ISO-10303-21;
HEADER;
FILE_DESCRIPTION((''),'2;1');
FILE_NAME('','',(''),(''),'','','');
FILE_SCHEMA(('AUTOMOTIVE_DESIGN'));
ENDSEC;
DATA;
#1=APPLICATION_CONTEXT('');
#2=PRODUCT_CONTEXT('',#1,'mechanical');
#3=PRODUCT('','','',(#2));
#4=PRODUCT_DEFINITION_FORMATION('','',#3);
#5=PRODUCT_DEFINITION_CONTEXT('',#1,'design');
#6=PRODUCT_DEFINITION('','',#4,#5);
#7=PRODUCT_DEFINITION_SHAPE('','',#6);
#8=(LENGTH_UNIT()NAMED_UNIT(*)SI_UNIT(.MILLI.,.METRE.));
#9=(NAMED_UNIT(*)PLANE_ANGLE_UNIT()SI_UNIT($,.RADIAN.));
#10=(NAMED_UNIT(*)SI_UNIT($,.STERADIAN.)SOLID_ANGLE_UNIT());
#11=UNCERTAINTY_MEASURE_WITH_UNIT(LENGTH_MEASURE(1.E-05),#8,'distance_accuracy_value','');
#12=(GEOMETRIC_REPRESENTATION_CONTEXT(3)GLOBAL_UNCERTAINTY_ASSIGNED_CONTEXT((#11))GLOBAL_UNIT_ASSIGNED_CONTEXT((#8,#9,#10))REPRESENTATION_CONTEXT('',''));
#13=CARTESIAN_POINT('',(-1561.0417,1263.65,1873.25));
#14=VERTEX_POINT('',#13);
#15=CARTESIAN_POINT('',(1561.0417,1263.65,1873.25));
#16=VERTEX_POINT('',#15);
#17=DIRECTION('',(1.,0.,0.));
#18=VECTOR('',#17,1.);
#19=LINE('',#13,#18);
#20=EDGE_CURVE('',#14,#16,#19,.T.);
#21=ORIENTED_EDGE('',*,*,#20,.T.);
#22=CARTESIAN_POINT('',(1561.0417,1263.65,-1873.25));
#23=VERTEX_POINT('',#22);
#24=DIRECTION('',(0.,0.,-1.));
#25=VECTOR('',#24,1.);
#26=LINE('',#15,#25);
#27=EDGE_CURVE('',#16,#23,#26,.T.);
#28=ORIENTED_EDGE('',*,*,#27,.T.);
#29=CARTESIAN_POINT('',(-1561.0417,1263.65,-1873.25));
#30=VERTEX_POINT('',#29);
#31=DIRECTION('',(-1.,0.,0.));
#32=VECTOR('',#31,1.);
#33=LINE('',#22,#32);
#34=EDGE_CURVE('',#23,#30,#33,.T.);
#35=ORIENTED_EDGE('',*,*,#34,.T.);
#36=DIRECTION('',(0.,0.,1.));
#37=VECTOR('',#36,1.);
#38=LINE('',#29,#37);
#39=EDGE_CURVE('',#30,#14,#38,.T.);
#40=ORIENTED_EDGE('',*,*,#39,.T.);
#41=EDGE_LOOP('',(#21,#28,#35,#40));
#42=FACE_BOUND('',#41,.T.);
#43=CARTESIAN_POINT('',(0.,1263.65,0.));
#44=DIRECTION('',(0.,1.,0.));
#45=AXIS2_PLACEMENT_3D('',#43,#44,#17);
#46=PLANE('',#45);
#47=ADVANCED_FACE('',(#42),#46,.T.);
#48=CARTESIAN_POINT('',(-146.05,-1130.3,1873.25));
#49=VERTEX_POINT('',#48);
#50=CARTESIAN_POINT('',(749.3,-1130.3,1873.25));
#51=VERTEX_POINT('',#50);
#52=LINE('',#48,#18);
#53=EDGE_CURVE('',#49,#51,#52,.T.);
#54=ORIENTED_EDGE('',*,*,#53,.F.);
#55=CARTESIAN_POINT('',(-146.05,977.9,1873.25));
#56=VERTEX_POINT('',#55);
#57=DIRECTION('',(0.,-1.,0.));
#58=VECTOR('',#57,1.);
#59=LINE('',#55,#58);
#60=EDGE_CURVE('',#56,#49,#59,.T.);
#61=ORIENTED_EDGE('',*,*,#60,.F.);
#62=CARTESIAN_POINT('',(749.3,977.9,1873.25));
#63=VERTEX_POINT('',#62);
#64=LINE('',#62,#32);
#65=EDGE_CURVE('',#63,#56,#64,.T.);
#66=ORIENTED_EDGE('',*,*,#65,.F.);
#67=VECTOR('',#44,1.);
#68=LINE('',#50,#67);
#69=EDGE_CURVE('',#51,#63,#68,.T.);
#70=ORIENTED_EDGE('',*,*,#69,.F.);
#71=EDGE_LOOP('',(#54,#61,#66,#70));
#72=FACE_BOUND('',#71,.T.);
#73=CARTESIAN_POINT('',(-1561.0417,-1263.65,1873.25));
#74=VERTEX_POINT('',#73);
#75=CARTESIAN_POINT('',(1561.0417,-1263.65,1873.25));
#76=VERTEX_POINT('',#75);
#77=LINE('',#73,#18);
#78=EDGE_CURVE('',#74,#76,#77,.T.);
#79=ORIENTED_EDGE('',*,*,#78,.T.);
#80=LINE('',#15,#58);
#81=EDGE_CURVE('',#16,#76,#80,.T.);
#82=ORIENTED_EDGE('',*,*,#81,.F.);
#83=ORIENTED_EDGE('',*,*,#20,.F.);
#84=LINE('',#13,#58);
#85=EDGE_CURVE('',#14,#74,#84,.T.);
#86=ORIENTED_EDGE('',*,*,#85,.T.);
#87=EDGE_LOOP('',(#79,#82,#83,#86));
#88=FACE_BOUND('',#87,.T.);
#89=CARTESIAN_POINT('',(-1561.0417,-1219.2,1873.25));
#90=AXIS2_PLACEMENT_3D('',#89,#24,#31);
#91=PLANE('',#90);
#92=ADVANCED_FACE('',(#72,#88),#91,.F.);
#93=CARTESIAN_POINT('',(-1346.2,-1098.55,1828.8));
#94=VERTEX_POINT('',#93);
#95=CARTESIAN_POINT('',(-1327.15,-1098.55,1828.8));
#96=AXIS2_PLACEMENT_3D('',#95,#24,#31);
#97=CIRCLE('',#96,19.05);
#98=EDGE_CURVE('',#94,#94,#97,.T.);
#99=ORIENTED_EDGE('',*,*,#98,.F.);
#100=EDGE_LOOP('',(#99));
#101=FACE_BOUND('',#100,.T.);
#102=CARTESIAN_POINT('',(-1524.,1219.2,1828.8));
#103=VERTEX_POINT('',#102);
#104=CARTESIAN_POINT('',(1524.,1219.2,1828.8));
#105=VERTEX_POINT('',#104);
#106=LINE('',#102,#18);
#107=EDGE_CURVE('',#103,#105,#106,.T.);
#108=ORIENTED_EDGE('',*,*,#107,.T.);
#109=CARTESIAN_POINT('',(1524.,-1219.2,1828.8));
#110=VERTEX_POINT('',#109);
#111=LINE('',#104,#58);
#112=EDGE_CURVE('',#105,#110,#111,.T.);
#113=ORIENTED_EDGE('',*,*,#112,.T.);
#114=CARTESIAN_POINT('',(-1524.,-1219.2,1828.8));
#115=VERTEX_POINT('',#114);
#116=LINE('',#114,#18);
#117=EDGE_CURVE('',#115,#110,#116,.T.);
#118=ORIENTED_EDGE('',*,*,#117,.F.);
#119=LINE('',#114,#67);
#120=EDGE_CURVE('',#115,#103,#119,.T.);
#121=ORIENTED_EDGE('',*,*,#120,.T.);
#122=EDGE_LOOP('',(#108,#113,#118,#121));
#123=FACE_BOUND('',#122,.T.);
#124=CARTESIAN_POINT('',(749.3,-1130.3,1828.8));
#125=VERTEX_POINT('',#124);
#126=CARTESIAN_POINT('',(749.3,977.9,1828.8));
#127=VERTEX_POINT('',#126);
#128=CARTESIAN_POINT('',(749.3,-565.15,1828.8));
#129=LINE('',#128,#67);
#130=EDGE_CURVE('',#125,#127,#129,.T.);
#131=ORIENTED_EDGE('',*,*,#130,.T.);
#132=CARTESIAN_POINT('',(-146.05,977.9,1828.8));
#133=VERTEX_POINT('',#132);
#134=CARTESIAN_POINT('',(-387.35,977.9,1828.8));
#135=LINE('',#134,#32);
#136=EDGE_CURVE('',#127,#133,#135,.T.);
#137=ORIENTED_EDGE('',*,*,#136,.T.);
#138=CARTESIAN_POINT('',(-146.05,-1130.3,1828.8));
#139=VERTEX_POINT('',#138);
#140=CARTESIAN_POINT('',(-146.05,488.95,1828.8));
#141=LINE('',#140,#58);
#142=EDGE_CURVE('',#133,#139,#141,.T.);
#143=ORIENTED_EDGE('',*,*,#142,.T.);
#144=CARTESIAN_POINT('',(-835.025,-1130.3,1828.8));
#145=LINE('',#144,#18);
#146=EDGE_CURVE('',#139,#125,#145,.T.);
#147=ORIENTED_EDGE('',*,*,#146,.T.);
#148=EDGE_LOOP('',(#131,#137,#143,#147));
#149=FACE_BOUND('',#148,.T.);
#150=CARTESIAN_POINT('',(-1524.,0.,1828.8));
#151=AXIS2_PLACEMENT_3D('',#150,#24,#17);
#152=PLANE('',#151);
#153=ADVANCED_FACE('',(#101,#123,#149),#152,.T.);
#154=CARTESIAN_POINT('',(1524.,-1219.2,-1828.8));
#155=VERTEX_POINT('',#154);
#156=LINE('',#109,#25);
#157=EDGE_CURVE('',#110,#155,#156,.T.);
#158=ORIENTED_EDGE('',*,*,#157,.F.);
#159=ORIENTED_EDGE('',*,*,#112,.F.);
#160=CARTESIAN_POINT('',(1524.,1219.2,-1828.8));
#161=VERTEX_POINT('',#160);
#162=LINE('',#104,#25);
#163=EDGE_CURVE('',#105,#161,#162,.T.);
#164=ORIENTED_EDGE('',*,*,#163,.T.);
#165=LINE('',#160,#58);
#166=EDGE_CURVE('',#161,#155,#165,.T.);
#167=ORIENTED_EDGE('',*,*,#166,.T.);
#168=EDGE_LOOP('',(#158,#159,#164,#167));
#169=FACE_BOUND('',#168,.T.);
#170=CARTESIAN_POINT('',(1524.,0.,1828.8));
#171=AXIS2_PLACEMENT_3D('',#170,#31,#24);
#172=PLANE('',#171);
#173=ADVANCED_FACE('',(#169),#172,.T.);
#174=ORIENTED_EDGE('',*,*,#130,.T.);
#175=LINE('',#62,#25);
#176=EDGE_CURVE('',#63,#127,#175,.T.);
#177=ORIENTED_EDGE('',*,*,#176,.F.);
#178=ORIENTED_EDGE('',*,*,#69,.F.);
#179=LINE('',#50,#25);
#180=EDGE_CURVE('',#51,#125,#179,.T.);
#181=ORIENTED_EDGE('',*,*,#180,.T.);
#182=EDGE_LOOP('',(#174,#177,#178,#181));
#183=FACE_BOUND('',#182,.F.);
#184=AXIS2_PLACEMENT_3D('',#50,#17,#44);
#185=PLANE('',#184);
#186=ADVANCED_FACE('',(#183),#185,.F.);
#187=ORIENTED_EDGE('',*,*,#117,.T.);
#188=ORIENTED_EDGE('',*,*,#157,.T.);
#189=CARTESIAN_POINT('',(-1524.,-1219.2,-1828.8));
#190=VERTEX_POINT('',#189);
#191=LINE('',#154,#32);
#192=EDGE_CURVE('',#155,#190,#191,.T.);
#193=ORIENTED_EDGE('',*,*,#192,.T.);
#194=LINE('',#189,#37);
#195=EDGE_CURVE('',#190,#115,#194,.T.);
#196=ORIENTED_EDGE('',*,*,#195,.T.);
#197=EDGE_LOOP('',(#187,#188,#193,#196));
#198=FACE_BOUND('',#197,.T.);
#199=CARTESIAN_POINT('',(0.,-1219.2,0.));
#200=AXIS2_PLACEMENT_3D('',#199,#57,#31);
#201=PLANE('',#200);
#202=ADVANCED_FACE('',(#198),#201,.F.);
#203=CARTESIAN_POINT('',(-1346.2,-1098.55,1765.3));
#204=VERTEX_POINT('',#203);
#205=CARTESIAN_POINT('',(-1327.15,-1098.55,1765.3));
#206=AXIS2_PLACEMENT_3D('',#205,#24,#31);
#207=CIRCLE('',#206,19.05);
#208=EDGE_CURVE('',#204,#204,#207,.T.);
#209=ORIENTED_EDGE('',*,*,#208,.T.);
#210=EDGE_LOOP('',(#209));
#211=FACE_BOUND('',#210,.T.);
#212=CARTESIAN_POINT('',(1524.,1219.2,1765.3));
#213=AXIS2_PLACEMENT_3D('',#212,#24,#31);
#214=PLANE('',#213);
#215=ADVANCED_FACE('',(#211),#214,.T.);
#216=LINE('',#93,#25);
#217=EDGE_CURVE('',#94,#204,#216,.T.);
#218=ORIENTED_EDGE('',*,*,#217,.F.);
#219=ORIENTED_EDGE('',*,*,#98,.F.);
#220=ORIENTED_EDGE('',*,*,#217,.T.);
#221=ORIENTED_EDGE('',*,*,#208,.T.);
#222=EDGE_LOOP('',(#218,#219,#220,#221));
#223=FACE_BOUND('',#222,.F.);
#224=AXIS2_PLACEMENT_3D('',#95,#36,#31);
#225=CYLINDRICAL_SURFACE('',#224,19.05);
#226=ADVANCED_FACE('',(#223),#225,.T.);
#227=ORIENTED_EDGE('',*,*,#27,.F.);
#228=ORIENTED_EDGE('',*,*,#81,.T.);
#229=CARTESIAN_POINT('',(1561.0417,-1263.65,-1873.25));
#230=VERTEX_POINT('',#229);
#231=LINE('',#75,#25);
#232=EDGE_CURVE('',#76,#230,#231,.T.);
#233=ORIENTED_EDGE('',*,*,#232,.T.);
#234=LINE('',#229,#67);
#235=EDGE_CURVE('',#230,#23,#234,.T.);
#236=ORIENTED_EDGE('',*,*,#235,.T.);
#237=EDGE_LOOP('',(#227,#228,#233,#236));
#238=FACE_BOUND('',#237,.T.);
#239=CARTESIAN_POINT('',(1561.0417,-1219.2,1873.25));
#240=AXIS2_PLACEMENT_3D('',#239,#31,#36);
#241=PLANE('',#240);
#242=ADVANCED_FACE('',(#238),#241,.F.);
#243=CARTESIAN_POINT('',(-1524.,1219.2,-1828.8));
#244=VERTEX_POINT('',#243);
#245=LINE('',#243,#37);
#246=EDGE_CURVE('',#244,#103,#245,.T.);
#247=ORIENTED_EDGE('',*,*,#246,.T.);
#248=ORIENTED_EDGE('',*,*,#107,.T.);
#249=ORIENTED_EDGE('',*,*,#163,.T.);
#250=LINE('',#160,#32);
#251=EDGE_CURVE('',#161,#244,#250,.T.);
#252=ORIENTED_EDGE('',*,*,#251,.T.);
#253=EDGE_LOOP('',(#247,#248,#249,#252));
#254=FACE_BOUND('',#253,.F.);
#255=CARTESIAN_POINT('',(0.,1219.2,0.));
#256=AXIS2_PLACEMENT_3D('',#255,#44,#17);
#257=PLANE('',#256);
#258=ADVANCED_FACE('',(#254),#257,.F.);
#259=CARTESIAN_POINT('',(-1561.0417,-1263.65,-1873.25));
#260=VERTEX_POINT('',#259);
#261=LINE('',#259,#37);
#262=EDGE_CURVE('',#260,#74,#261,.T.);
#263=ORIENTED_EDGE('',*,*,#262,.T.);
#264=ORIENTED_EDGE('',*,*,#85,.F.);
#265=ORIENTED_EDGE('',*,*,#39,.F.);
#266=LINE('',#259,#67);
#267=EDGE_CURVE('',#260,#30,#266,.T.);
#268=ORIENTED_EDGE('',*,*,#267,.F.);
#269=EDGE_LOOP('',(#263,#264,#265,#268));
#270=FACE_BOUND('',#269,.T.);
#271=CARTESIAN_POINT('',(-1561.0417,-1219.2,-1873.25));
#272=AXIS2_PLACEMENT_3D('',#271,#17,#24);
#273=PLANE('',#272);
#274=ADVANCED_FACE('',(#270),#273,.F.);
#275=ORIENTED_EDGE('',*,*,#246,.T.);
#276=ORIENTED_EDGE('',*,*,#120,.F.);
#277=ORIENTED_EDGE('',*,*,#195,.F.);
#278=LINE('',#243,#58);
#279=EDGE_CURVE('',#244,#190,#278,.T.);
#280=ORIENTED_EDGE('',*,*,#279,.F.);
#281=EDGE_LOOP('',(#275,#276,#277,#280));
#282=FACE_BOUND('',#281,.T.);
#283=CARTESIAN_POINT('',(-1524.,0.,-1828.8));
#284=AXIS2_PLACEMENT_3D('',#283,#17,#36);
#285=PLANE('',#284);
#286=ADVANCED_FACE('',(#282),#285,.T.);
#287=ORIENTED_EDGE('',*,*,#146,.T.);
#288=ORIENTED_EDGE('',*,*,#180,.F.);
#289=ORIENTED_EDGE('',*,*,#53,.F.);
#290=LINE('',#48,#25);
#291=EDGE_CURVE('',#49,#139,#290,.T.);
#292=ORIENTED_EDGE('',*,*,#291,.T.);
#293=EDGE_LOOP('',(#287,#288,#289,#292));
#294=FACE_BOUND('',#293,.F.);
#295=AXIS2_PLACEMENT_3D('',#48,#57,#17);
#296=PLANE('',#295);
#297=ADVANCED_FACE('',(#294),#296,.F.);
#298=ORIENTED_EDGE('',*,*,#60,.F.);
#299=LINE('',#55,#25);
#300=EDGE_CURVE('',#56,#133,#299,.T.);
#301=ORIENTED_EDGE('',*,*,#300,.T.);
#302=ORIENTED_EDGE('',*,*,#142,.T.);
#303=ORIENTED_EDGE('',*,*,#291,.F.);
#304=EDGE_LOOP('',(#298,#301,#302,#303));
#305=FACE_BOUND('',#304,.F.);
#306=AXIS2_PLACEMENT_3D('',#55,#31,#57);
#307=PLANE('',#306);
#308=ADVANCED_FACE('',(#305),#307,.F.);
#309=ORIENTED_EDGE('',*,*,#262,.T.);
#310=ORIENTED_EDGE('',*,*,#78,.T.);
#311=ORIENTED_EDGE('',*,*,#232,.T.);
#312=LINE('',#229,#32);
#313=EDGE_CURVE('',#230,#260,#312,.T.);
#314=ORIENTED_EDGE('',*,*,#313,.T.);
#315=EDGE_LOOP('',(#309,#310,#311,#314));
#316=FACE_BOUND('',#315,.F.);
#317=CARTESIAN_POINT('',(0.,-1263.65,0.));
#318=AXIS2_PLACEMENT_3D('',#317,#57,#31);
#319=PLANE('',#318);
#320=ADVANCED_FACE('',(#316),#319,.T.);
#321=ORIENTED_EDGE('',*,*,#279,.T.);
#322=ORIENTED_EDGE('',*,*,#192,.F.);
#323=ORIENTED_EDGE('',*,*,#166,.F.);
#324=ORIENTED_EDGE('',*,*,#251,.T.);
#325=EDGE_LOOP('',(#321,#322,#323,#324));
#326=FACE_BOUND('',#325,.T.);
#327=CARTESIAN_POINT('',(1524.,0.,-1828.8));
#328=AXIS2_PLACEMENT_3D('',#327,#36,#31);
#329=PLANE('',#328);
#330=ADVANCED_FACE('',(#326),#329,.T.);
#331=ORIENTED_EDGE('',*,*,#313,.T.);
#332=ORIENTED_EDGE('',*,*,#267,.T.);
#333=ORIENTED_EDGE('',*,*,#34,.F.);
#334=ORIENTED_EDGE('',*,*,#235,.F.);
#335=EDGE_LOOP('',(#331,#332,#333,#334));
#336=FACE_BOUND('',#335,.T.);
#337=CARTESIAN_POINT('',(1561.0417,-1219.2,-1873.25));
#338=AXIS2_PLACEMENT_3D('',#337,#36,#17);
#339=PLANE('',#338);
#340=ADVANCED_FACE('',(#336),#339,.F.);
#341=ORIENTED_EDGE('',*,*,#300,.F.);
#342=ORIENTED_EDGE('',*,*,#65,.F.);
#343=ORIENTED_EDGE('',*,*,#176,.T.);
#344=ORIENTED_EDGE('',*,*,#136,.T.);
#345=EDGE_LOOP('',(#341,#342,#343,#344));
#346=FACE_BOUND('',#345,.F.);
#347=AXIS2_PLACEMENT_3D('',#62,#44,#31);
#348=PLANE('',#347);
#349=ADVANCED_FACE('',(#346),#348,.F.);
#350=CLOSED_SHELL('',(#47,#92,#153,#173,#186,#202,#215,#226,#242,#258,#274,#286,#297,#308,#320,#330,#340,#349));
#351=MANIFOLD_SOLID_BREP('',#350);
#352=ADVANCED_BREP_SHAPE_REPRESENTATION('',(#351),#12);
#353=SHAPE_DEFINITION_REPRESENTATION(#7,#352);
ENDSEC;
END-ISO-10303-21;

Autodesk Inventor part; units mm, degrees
ref_plane "YZ Plane" through (0, 0, 0) normal (1, 0, 0) x (0, 1, 0)
ref_plane "XZ Plane" through (0, 0, 0) normal (0, 1, 0) x (-1, 0, 0)
ref_plane "XY Plane" through (0, 0, 0) normal (0, 0, 1) x (1, 0, 0)
sketch "Sketch1" plane through (0, 0, 0) normal (0, 1, 0) x (-1, 0, 0)
  line L0 (1524, 1828.8) -> (-1524, 1828.8)
  line L1 (-1524, 1828.8) -> (-1524, -1828.8)
  line L2 (-1524, -1828.8) -> (1524, -1828.8)
  line L3 (1524, -1828.8) -> (1524, 1828.8)
  line L4 (1524, 1828.8) -> (-1524, -1828.8) construction
  line L5 (-1524, 1828.8) -> (1524, -1828.8) construction
  line L6 (-1561.0417, 1873.25) -> (1561.0417, 1873.25)
  line L7 (1561.0417, 1873.25) -> (1561.0417, -1873.25)
  line L8 (1561.0417, -1873.25) -> (-1561.0417, -1873.25)
  line L9 (-1561.0417, -1873.25) -> (-1561.0417, 1873.25)
  line L10 (-1561.0417, 1873.25) -> (1561.0417, -1873.25) construction
  line L11 (1561.0417, 1873.25) -> (-1561.0417, -1873.25) construction
  point P0 (0, 0)
  dimension "d8" = 3048
  dimension "d9" = 3657.6
  dimension "d10" = 44.45
extrude "sides" add sketch "Sketch1" along normal mid plane 2438.4
sketch "Sketch2" plane through (0, 1219.2, 0) normal (0, 1, 0) x (1, 0, 0)
  line L0 (1561.0417, 1873.25) -> (-1561.0417, 1873.25) projected
  line L1 (-1561.0417, 1873.25) -> (-1561.0417, -1873.25) projected
  line L2 (1561.0417, -1873.25) -> (1561.0417, 1873.25) projected
  line L3 (-1561.0417, -1873.25) -> (1561.0417, -1873.25) projected
  point P0 (0, 0)
extrude "roof" add sketch "Sketch2" along normal blind 44.45
mirror "floor" about plane through (0, 0, 0) normal (0, 1, 0) of "roof"
sketch "Sketch3" plane through (-1561.0417, 1263.65, 1873.25) normal (0, 0, 1) x (1, 0, 0)
  line L0 (1414.9917, -2393.95) -> (2310.3417, -2393.95)
  line L1 (2310.3417, -2393.95) -> (2310.3417, -285.75)
  line L2 (2310.3417, -285.75) -> (1414.9917, -285.75)
  line L3 (1414.9917, -285.75) -> (1414.9917, -2393.95)
  line L4 (1414.9917, -2393.95) -> (2310.3417, -285.75) construction
  line L5 (2310.3417, -2393.95) -> (1414.9917, -285.75) construction
  line L6 (0, 0) -> (0, -2527.3) projected
  line L7 (0, -2527.3) -> (3122.0833, -2527.3) projected
  line L8 (3122.0833, -2527.3) -> (3122.0833, 0) projected
  line L9 (37.0417, -2482.85) -> (3085.0417, -2482.85) projected
  line L10 (3085.0417, -2482.85) -> (3085.0417, -44.45) projected
  line L11 (3122.0833, -2527.3) -> (3122.0833, 0) projected
  line L12 (0, 0) -> (3122.0833, 0) projected
  line L13 (0, 0) -> (0, -2527.3) projected
  line L14 (0, -2527.3) -> (3122.0833, -2527.3) projected
  point P0 (1561.0417, -1263.65)
  point P1 (1862.6667, -1339.85)
  dimension "d19" = 895.35
  dimension "d20" = 2108.2
  dimension "d22" = 88.9
  dimension "d23" = 774.7
extrude "door" cut sketch "Sketch3" against normal up to next contours L3 L2 L1 L0
sketch "Sketch6" plane through (1524, 1219.2, 1828.8) normal (0, 0, -1) x (-1, 0, 0)
  circle A0 centre (2851.15, -2317.75) radius 19.05
  line L0 (3048, -2438.4) -> (0, -2438.4) projected
  line L1 (3048, 0) -> (3048, -2438.4) projected
  point P0 (1524, -1219.2)
  dimension "d24" = 38.1
  dimension "d25" = 120.65
  dimension "d26" = 196.85
extrude "Extrusion6" add sketch "Sketch6" along normal blind 63.5
sketch "Sketch8" plane through (0, 1219.2, 0) normal (0, -1, 0) x (1, 0, 0)
  line L0 (863.6, 1371.6) -> (1117.6, 1371.6)
  line L1 (1117.6, 1371.6) -> (1117.6, 1117.6)
  line L2 (1117.6, 1117.6) -> (863.6, 1117.6)
  line L3 (863.6, 1117.6) -> (863.6, 1371.6)
  line L4 (863.6, 1371.6) -> (1117.6, 1117.6) construction
  line L5 (1117.6, 1371.6) -> (863.6, 1117.6) construction
  line L6 (-1092.2, -1397) -> (-838.2, -1397)
  line L7 (-838.2, -1397) -> (-838.2, -1143)
  line L8 (-838.2, -1143) -> (-1092.2, -1143)
  line L9 (-1092.2, -1143) -> (-1092.2, -1397)
  line L10 (-1092.2, -1397) -> (-838.2, -1143) construction
  line L11 (-838.2, -1397) -> (-1092.2, -1143) construction
  line L12 (1524, -1828.8) -> (1524, 1828.8) projected
  line L13 (1524, 1828.8) -> (-1524, 1828.8) projected
  line L14 (-1524, -1828.8) -> (1524, -1828.8) projected
  line L15 (-1524, 1828.8) -> (-1524, -1828.8) projected
  point P0 (0, 0)
  point P1 (990.6, 1244.6)
  point P2 (-965.2, -1270)
  dimension "d29" = 254
  dimension "d30" = 406.4
  dimension "d31" = 457.2
  dimension "d32" = 431.8
  dimension "d33" = 431.8
extrude "Extrusion7" [suppressed]
sketch "Sketch9" plane through (0, 1263.65, 0) normal (0, 1, 0) x (1, 0, 0)
  line L0 (1561.0417, 1873.25) -> (-1561.0417, 1873.25) projected
  line L1 (-1561.0417, 1873.25) -> (-1561.0417, -1873.25) projected
  line L2 (-1561.0417, -1873.25) -> (1561.0417, -1873.25) projected
  line L3 (1561.0417, -1873.25) -> (1561.0417, 1873.25) projected
  line L4 (1162.05, -1073.15) -> (819.15, -1073.15)
  line L5 (819.15, -1073.15) -> (819.15, -1416.05)
  line L6 (819.15, -1416.05) -> (1162.05, -1416.05)
  line L7 (1162.05, -1416.05) -> (1162.05, -1073.15)
  line L8 (1162.05, -1073.15) -> (819.15, -1416.05) construction
  line L9 (819.15, -1073.15) -> (1162.05, -1416.05) construction
  line L10 (-793.75, 1441.45) -> (-1136.65, 1441.45)
  line L11 (-1136.65, 1441.45) -> (-1136.65, 1098.55)
  line L12 (-1136.65, 1098.55) -> (-793.75, 1098.55)
  line L13 (-793.75, 1098.55) -> (-793.75, 1441.45)
  line L14 (-793.75, 1441.45) -> (-1136.65, 1098.55) construction
  line L15 (-1136.65, 1441.45) -> (-793.75, 1098.55) construction
  line L16 (990.6, -1244.6) -> (1117.6, -1244.6)
  line L17 (1117.6, -1117.6) -> (1117.6, -1371.6) projected
  line L18 (990.6, -1244.6) -> (990.6, -1371.6)
  line L19 (-965.2, 1270) -> (-838.2, 1270)
  line L20 (-965.2, 1270) -> (-965.2, 1143)
  point P0 (0, 0)
extrude "Extrusion8" [suppressed]
equation "\"d8\" = roomWidth"
equation "\"d9\" = roomDepth"
equation "\"d10\" = wallThick"
equation "\"d11\" = roomHeight"
equation "\"d13\" = wallThick"
equation "\"d19\" = doorWidth"
equation "\"d20\" = doorHeight"
equation "\"d22\" = doorY"
equation "\"d23\" = doorX"
equation "\"d15\" = wallThick"
equation "\"wallThick\" = 44.45"
equation "\"roomWidth\" = 3048"
equation "\"roomDepth\" = 3657.6"
equation "\"roomHeight\" = 2438.4"
equation "\"doorWidth\" = 895.35"
equation "\"doorHeight\" = 2108.2"
equation "\"doorX\" = 774.7"
equation "\"doorY\" = 88.9"
equation "\"doorThick\" = 57.15"
equation "\"doorLip\" = 76.2"
equation "\"tubeR\" = 304.8"
equation "\"tubeTurnR\" = 76.2"
equation "\"tubeD\" = 19.05"
properties part number "Room"
